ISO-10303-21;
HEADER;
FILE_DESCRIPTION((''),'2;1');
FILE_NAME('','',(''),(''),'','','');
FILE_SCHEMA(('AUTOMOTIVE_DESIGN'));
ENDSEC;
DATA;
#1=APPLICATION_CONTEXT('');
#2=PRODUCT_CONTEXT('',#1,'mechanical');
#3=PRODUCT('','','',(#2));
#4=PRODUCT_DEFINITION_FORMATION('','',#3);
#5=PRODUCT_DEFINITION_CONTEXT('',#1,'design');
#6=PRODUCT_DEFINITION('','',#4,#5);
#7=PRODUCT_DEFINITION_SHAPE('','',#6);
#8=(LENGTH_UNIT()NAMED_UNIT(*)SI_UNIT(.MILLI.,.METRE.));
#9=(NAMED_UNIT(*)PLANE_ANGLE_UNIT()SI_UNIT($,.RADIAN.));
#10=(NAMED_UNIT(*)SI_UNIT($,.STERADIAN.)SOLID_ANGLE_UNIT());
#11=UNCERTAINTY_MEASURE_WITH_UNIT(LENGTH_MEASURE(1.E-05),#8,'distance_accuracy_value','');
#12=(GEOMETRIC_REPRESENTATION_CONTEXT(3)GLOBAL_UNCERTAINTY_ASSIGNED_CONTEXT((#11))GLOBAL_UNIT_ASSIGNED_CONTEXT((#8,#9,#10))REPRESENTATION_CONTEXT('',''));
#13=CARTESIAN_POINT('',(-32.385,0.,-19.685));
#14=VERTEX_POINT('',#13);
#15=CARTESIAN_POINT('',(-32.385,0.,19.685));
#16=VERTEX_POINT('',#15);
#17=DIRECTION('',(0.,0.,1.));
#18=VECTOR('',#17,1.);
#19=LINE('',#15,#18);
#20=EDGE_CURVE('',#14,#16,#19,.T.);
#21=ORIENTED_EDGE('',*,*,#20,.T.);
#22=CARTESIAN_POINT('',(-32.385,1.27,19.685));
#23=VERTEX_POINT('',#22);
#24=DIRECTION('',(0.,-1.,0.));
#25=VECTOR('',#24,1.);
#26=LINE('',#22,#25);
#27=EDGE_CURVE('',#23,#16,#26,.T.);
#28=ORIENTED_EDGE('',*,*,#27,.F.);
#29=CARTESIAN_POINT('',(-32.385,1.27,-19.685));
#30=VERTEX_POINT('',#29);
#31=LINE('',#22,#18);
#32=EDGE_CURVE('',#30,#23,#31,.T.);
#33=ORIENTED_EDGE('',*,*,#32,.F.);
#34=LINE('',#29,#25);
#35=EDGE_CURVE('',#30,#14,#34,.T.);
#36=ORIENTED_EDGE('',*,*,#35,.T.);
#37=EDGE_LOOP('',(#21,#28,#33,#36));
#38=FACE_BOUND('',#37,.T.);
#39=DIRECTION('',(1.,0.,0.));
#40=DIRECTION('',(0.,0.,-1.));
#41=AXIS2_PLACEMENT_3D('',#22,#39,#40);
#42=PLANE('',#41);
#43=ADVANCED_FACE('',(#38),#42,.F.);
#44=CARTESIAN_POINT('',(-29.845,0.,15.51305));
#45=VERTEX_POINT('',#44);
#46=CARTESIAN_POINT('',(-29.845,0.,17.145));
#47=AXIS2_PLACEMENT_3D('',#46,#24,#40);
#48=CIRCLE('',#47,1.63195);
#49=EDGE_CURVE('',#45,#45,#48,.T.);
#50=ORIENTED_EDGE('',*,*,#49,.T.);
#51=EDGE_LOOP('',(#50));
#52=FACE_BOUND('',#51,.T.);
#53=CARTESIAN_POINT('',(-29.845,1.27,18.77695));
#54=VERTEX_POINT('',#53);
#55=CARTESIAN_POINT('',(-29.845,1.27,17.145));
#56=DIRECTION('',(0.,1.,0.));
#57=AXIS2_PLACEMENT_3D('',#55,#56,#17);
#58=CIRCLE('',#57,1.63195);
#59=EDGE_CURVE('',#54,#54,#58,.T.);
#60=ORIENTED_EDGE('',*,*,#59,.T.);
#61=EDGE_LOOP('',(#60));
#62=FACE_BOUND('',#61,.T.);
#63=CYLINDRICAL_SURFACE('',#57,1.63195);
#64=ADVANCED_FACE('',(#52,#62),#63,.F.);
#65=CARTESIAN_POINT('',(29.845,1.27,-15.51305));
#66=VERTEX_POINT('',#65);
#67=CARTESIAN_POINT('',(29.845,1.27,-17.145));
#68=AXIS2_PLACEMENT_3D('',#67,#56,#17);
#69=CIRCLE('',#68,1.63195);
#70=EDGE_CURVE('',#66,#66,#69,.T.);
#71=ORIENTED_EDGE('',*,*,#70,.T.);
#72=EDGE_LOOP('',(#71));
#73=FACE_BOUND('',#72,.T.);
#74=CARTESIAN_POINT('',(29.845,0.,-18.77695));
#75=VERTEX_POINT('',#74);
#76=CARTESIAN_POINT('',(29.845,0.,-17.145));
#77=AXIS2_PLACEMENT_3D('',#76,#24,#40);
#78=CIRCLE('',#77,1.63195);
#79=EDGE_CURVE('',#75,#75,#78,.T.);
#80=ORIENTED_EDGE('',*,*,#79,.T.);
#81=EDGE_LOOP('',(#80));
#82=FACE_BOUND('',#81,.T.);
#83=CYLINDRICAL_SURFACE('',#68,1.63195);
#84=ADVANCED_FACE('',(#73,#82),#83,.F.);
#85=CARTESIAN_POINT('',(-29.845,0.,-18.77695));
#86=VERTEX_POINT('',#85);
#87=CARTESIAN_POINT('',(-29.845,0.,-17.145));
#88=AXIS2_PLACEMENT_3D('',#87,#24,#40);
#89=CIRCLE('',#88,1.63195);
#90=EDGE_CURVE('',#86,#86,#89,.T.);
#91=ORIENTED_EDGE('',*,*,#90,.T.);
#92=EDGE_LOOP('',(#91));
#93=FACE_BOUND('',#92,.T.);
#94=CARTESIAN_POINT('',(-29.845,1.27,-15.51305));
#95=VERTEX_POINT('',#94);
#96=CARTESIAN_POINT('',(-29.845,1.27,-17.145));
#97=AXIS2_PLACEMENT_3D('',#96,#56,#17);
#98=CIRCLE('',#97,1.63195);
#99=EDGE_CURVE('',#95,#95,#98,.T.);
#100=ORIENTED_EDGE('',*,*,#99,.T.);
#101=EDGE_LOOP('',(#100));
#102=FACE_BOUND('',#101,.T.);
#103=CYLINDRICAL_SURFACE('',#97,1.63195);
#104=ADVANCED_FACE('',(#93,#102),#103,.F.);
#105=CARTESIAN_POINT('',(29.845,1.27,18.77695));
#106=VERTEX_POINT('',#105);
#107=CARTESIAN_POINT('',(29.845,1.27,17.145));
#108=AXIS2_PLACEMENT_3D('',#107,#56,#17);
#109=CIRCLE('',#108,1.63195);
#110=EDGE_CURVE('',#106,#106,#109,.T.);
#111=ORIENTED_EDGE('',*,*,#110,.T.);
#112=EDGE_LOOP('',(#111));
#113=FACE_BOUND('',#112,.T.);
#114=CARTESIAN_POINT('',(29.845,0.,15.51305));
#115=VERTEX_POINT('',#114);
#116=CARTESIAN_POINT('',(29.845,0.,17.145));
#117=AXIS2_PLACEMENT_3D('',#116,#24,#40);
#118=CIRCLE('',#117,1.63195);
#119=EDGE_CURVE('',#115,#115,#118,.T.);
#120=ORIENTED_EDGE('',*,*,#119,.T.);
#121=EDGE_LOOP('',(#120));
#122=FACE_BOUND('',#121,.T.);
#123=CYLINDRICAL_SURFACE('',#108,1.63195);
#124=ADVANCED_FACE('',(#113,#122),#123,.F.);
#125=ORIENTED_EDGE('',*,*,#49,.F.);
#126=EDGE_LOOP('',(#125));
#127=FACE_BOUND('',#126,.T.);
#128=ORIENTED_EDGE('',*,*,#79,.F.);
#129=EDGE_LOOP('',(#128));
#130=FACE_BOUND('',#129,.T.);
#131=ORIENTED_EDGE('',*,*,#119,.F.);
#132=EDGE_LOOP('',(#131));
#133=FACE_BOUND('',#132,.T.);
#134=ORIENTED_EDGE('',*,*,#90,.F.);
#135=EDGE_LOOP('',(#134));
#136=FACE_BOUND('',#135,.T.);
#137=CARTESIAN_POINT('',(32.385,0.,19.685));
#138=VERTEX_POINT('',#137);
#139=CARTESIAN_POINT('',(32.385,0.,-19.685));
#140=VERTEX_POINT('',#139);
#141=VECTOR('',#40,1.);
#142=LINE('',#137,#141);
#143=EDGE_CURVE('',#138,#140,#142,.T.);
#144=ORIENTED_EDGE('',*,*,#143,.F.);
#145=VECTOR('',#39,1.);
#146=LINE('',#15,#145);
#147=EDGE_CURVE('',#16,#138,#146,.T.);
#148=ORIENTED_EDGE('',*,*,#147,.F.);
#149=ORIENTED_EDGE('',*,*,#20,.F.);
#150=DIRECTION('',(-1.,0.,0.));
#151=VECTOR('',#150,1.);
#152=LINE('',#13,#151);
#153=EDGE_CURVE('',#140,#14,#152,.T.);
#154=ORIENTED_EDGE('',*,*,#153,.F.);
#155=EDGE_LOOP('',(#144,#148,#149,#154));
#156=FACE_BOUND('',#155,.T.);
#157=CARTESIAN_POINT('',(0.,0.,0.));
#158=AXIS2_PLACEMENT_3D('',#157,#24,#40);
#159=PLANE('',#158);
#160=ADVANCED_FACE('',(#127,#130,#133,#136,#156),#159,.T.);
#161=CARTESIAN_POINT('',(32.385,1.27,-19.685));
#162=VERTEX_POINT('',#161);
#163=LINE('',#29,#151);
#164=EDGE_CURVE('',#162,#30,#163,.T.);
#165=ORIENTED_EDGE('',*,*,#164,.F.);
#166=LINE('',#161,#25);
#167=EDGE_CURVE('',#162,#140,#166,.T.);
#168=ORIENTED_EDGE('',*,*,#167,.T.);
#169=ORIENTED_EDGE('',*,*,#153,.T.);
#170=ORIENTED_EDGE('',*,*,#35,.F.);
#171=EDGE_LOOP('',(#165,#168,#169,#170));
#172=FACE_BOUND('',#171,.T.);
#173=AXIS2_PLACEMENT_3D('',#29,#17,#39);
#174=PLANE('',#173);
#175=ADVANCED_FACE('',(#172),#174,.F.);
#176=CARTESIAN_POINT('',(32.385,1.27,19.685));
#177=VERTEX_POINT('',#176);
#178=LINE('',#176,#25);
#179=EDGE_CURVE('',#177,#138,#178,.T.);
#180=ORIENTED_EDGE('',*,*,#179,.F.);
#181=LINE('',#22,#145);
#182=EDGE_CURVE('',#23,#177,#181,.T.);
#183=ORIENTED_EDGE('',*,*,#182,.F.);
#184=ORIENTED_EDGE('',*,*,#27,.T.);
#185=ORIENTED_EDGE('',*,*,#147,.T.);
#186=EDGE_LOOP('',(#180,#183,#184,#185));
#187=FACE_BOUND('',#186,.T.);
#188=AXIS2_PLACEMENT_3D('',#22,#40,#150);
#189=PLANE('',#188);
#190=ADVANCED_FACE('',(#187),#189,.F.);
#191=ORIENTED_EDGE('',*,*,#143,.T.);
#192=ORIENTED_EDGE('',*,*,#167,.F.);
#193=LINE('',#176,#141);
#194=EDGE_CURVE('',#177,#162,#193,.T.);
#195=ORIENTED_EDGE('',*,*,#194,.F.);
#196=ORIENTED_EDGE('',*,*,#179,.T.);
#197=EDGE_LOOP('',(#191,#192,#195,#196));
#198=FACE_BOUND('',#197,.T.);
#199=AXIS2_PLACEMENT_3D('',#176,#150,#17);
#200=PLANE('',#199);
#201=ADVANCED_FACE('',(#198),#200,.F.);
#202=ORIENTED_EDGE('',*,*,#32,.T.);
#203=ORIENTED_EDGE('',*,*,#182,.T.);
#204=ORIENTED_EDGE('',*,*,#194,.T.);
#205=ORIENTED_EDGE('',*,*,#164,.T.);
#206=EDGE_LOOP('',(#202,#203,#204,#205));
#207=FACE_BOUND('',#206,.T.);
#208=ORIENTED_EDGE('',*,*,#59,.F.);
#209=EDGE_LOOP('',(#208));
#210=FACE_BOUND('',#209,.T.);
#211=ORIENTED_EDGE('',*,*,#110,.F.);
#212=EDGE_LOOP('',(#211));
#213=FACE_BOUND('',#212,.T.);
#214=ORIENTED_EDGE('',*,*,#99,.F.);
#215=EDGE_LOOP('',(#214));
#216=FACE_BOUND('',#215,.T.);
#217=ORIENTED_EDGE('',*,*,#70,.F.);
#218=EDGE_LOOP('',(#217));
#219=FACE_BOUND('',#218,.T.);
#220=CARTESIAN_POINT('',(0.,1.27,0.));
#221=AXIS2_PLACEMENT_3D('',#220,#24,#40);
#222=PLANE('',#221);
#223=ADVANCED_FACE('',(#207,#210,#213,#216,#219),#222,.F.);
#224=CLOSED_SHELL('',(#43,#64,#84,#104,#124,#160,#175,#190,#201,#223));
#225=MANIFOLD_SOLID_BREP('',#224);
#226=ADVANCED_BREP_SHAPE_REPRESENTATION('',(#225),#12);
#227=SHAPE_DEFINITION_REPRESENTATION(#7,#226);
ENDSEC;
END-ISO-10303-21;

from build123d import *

# Parameters (mm, degrees)
SKETCH1_W                 = 64.77
SKETCH1_H                 = 39.37
BOSS_EXTRUDE1_DEPTH       = 1.27
F_4_CLEARANCE_HOLE1_D     = 3.2639
F_4_CLEARANCE_HOLE1_DEPTH = 7.5946
F_4_CLEARANCE_HOLE1_TIP   = 0.980574487


with BuildPart() as part:
    # Sketch1 → Boss-Extrude1 (new body)
    with BuildSketch(Plane(origin=(0, 0, 0), x_dir=(1, 0, 0), z_dir=(0, 1, 0))):
        Rectangle(SKETCH1_W, SKETCH1_H)
    extrude(amount=BOSS_EXTRUDE1_DEPTH)

    # #4 Clearance Hole1
    with Locations(Plane(origin=(0, 1.27, 0), x_dir=(1, 0, 0), z_dir=(0, 1, 0))):
        with Locations((-29.845, 17.145), (-29.845, -17.145), (29.845, -17.145), (29.845, 17.145)):
            Hole(F_4_CLEARANCE_HOLE1_D / 2, depth=F_4_CLEARANCE_HOLE1_DEPTH)
            with Locations((0, 0, -(F_4_CLEARANCE_HOLE1_DEPTH + F_4_CLEARANCE_HOLE1_TIP / 2))):  # 118° drill point
                Cone(0, F_4_CLEARANCE_HOLE1_D / 2, F_4_CLEARANCE_HOLE1_TIP, mode=Mode.SUBTRACT)


solid = part.part
